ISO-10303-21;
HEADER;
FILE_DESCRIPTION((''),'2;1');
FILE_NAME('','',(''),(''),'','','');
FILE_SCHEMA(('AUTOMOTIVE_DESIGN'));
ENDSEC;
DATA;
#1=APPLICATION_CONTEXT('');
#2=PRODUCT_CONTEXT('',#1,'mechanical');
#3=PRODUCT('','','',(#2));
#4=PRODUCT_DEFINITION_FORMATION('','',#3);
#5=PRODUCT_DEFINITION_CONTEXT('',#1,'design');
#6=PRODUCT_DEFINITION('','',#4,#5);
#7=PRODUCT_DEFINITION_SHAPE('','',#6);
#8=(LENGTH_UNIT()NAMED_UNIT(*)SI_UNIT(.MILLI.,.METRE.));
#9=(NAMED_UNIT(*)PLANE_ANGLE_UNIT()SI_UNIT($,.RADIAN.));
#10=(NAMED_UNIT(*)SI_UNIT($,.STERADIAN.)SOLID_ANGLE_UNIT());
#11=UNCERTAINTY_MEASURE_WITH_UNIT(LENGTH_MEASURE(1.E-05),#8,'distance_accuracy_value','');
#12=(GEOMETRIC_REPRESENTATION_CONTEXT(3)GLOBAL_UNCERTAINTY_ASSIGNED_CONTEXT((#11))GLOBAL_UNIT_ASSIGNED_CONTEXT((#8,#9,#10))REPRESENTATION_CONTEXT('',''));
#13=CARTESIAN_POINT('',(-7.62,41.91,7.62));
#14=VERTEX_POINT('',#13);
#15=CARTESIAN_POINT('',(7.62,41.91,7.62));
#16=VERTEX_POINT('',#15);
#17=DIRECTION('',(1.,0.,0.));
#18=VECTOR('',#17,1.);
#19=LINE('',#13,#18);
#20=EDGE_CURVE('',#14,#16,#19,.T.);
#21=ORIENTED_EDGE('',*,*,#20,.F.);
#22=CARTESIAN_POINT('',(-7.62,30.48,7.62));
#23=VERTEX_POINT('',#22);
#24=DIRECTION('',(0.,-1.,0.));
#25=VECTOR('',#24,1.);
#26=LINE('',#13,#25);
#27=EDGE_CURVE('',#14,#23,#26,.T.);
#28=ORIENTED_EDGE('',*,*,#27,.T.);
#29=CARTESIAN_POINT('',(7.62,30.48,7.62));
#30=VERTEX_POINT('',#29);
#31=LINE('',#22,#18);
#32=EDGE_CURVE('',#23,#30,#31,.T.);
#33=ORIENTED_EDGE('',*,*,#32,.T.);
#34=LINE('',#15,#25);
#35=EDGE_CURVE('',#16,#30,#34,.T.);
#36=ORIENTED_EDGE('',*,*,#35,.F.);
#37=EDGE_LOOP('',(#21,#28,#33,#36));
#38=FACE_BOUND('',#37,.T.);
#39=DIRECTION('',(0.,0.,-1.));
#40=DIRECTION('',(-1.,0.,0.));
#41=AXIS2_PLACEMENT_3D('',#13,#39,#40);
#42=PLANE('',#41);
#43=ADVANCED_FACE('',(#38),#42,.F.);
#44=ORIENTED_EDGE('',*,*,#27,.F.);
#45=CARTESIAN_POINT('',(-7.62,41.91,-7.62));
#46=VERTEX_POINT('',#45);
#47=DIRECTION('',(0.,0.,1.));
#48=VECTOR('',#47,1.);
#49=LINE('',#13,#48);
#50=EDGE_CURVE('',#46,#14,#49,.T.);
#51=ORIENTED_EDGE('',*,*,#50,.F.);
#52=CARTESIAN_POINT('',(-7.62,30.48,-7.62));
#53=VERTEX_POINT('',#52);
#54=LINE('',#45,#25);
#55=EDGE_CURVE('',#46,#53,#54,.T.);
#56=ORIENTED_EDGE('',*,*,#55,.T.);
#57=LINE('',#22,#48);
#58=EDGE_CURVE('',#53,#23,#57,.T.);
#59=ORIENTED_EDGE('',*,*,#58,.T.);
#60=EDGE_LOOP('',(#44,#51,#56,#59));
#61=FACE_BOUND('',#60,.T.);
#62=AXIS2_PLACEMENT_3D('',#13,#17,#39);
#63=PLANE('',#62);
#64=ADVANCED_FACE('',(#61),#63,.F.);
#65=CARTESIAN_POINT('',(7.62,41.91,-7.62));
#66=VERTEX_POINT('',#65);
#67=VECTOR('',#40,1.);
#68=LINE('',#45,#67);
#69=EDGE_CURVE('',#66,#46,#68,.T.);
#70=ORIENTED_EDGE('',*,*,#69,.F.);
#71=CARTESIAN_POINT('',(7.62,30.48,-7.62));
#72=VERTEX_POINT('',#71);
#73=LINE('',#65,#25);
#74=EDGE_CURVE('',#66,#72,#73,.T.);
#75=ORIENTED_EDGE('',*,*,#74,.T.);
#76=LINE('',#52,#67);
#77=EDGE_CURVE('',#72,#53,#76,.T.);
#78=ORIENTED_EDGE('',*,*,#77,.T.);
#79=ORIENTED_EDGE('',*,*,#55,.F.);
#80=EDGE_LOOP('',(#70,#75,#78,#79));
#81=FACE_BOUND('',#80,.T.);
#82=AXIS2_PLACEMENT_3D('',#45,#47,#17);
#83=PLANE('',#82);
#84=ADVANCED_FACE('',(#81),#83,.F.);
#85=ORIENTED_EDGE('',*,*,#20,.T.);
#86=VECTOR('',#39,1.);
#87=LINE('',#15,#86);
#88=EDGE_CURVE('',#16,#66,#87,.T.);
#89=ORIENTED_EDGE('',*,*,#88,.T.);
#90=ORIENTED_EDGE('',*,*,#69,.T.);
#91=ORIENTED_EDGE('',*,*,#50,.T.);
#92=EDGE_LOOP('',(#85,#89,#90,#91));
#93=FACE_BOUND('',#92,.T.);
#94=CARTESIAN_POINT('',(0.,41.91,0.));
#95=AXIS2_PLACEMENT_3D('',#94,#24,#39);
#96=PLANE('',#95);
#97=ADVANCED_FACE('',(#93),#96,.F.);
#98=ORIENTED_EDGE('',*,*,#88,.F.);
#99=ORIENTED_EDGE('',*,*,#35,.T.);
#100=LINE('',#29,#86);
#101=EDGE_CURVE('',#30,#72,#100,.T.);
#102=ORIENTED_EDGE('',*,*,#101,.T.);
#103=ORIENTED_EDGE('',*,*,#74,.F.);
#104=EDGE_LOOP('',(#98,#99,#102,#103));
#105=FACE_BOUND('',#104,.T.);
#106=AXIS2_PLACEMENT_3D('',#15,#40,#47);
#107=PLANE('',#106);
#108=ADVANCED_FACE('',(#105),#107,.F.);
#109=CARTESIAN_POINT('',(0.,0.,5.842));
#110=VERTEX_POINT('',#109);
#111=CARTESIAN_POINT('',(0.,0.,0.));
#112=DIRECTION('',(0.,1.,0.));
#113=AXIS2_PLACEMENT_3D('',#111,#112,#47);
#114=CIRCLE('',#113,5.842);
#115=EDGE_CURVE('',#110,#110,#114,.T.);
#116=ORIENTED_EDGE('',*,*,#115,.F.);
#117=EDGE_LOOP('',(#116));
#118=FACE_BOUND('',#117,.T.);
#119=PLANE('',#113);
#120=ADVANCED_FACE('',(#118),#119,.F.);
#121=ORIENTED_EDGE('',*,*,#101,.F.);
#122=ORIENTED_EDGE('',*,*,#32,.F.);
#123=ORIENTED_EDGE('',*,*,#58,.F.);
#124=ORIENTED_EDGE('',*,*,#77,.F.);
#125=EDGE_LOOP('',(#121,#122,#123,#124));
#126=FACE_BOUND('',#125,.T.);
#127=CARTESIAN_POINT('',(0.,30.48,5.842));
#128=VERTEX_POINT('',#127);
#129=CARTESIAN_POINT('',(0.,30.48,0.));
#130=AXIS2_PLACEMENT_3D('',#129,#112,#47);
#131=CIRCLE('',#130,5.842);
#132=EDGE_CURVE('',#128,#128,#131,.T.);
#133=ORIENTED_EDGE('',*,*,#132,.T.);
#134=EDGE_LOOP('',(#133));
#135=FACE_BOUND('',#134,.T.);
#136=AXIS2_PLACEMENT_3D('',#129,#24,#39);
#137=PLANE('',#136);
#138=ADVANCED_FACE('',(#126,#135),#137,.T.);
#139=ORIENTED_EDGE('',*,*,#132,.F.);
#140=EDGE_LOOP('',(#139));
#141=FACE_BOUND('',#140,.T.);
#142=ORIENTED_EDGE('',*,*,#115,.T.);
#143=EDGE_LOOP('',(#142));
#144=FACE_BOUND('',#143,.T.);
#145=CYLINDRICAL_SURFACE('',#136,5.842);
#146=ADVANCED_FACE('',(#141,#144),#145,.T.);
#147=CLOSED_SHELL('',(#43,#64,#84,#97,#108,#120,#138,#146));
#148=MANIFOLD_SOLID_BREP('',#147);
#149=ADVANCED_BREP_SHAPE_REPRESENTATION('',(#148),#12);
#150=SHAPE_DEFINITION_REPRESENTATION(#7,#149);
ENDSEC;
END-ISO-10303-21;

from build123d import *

# Parameters (mm, degrees)
SKETCH1_R           = 5.842
BOSS_EXTRUDE1_DEPTH = 30.48
SKETCH2_W           = 15.24
SKETCH2_H           = 15.24
BOSS_EXTRUDE2_DEPTH = 11.43


with BuildPart() as part:
    # Sketch1 → Boss-Extrude1 (new body)
    with BuildSketch(Plane(origin=(0, 0, 0), x_dir=(1, 0, 0), z_dir=(0, 1, 0))):
        Circle(SKETCH1_R)
    extrude(amount=BOSS_EXTRUDE1_DEPTH)

    # Sketch2 → Boss-Extrude2 (add)
    with BuildSketch(Plane(origin=(0, 30.48, 0), x_dir=(1, 0, 0), z_dir=(0, 1, 0))):
        Rectangle(SKETCH2_W, SKETCH2_H)
    extrude(amount=BOSS_EXTRUDE2_DEPTH)


solid = part.part
